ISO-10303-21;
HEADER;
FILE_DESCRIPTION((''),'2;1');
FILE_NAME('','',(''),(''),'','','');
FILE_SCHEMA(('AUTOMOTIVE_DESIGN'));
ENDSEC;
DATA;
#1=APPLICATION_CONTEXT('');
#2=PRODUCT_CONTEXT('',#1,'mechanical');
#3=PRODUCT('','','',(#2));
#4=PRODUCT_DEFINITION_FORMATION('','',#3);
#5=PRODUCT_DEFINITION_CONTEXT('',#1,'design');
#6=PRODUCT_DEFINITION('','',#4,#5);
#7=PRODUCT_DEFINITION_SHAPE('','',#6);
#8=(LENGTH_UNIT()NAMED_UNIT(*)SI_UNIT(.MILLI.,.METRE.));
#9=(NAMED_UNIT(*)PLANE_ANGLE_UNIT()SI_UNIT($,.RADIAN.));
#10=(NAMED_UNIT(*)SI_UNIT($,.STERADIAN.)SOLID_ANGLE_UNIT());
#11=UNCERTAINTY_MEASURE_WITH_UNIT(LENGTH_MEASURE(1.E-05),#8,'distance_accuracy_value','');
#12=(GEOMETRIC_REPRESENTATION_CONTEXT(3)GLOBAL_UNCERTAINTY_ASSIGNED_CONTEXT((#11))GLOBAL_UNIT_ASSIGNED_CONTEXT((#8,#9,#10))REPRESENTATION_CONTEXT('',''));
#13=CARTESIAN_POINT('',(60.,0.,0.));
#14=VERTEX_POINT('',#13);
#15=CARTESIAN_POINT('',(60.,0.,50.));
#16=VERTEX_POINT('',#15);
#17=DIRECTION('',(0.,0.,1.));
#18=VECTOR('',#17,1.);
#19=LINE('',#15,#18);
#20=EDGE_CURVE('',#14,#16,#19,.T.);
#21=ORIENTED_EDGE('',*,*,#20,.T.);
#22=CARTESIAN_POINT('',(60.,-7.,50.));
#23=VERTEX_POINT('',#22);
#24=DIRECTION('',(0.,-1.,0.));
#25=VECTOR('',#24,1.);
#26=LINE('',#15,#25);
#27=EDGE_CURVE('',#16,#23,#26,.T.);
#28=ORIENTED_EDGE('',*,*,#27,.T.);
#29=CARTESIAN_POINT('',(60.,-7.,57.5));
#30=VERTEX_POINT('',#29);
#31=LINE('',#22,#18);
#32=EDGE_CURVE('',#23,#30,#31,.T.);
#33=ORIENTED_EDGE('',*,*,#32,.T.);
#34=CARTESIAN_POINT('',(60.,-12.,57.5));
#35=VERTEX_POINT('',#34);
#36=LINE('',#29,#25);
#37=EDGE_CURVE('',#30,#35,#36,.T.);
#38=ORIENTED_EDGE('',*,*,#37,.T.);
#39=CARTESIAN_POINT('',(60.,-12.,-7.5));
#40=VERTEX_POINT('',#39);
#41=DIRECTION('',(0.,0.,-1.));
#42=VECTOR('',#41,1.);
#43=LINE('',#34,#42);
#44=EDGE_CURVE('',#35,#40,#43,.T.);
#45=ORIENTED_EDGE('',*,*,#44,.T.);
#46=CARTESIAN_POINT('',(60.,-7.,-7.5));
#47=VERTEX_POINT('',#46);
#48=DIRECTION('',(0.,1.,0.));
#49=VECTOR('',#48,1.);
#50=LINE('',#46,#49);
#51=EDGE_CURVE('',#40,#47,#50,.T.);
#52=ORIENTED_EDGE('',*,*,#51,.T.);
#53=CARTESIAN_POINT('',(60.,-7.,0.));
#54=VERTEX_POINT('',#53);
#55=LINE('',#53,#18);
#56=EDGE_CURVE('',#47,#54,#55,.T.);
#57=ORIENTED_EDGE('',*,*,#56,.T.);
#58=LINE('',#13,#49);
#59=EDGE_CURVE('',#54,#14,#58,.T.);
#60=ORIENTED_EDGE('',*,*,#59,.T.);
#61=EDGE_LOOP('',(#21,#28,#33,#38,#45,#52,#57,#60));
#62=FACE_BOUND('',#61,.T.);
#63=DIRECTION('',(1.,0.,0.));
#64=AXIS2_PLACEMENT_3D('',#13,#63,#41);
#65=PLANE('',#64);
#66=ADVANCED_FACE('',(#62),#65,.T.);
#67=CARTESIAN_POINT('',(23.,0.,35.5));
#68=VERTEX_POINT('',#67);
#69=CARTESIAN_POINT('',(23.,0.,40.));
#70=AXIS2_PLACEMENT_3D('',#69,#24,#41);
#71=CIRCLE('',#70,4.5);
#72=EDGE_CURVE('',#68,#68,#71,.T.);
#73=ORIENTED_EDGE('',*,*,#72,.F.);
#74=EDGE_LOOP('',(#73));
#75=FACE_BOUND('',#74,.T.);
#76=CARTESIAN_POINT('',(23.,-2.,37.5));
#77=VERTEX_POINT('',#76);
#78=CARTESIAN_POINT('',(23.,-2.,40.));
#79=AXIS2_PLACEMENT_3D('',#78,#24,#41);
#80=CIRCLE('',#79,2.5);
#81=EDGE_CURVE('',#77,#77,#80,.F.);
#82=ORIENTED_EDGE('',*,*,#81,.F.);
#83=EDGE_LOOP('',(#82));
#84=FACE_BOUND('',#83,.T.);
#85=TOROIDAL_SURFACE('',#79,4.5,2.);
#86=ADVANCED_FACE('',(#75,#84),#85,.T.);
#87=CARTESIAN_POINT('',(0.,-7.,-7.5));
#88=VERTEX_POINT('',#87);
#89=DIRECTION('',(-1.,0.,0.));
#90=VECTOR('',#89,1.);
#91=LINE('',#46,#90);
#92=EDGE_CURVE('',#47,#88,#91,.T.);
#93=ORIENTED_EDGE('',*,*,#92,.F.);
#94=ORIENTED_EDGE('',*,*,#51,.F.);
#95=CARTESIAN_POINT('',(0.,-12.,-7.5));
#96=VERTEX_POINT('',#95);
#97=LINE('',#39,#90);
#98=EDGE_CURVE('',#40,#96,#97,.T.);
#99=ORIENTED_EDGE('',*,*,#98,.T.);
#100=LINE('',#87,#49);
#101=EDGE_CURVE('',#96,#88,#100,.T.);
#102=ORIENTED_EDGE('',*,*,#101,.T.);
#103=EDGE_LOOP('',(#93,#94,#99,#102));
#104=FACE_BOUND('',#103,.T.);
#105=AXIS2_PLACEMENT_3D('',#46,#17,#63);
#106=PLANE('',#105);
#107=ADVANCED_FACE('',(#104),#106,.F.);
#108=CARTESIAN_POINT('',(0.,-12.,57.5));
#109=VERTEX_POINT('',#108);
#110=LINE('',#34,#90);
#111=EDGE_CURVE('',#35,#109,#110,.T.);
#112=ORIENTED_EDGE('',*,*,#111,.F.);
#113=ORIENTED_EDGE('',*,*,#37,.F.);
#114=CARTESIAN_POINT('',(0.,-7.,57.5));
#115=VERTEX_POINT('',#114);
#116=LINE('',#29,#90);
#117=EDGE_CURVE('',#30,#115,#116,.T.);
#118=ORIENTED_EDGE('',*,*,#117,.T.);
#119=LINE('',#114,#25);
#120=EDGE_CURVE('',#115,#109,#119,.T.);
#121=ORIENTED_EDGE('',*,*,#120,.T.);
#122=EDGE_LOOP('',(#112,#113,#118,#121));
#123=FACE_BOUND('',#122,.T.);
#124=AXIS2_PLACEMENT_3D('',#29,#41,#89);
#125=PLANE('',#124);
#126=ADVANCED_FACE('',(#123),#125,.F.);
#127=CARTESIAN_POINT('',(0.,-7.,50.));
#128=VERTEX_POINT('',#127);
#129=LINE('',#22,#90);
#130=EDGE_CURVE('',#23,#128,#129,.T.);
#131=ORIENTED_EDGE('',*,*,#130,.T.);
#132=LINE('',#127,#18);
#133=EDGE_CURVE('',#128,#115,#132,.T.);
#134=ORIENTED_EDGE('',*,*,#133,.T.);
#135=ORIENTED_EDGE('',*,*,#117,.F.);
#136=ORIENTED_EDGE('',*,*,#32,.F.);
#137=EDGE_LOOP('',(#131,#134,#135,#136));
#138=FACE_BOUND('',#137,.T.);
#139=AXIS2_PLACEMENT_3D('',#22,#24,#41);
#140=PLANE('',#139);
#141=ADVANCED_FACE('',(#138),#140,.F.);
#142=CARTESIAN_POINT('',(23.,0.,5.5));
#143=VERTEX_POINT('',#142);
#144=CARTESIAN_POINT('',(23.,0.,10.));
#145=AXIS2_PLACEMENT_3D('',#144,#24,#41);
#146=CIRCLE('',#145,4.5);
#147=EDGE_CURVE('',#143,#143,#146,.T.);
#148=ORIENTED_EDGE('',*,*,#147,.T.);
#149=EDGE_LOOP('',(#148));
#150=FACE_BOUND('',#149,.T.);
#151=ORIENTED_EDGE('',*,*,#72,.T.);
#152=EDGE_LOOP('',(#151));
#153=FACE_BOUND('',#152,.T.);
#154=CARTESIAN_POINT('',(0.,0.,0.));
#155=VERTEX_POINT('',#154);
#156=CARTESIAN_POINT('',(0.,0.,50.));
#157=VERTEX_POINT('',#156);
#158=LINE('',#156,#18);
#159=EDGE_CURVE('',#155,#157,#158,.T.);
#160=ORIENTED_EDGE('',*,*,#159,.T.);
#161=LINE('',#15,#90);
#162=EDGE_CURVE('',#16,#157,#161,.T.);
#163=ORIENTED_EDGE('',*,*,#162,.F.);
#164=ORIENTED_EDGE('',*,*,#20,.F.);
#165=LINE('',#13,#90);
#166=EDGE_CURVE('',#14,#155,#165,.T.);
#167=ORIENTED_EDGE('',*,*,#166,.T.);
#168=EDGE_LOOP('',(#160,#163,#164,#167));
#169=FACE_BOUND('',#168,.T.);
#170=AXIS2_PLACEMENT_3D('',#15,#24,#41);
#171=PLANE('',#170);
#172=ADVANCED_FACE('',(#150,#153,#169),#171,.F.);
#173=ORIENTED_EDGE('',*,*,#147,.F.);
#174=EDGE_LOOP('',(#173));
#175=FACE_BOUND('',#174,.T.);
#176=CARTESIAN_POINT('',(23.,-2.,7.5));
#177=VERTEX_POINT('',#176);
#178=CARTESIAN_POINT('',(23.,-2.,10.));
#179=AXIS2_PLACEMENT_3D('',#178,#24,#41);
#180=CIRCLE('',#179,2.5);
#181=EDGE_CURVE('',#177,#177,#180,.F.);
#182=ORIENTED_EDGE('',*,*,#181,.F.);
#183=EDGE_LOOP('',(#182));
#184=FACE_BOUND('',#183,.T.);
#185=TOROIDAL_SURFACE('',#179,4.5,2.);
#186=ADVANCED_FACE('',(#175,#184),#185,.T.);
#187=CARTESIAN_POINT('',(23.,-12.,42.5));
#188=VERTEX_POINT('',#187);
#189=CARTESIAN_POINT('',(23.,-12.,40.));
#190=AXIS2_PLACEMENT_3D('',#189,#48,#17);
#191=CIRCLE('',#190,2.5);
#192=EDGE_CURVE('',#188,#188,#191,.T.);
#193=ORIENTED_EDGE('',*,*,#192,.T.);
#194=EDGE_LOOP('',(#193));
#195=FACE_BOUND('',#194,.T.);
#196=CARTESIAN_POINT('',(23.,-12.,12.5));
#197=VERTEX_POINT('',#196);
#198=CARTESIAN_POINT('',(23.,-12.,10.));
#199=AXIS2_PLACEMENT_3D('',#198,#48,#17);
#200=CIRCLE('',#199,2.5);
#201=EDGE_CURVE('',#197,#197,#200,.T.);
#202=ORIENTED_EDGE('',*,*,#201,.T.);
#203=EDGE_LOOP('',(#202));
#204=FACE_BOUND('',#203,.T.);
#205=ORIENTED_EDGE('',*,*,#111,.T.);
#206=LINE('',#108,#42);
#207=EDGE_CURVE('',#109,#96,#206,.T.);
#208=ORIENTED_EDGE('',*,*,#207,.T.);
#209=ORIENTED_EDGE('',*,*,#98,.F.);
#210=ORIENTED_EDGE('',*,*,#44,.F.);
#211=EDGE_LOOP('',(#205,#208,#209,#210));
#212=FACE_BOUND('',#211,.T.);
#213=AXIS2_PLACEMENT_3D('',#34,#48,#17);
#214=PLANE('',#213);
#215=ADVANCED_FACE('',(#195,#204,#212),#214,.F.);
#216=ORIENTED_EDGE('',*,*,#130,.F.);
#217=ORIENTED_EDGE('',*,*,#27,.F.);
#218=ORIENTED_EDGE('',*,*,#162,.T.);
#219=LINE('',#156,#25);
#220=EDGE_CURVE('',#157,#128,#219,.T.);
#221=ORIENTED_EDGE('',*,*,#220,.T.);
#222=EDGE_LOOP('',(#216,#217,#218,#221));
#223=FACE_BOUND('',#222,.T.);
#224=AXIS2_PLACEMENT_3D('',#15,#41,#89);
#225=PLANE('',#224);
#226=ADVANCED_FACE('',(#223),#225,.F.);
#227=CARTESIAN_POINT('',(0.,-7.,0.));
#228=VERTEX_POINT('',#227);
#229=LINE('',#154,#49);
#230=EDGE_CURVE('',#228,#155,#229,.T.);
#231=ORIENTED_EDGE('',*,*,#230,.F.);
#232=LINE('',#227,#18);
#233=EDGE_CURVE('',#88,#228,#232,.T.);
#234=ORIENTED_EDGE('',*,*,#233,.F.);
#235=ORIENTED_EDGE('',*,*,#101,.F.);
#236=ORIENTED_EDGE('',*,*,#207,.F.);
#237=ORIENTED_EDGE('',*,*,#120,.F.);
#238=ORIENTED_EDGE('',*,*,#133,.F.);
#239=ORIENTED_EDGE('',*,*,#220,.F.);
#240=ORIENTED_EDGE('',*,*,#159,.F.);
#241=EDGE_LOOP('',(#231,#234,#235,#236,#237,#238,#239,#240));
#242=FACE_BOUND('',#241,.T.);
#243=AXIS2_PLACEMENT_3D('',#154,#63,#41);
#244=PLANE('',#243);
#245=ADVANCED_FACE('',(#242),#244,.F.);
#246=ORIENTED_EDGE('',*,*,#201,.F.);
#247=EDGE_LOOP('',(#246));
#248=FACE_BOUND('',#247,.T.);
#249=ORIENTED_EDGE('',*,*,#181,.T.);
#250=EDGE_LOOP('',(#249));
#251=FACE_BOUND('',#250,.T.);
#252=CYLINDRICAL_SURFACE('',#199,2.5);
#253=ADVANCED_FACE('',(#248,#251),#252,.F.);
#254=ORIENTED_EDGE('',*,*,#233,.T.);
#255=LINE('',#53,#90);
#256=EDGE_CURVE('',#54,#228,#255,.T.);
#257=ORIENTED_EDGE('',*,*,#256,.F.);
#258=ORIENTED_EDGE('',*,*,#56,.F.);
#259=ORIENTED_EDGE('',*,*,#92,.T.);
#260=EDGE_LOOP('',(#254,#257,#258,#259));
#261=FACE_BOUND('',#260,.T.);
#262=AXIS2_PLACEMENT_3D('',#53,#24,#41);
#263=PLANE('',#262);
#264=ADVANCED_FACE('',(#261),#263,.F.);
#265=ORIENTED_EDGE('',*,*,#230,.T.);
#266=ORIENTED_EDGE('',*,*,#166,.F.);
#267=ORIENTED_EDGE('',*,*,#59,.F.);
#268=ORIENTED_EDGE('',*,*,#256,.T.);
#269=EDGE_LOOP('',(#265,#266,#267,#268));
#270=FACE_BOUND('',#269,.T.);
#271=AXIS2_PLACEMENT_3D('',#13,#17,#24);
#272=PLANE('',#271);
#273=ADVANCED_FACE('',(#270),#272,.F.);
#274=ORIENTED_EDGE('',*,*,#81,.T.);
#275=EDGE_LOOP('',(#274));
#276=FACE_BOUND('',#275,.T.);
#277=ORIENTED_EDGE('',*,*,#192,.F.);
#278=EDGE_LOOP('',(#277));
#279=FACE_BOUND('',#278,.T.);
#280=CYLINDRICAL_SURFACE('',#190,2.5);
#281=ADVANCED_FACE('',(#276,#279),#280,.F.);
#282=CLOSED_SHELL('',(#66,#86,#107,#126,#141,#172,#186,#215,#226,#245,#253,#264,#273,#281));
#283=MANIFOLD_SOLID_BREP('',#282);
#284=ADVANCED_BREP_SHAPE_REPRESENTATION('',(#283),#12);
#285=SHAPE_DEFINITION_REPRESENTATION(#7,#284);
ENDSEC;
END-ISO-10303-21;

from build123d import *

# Parameters (mm, degrees)
BOSS_EXTRUDE1_DEPTH     = 60
SKETCH2_R               = 2.5
CUT_EXTRUDE1_DEPTH      = 1
CUT_EXTRUDE1_DEPTH_BACK = 13
FILLET1_R               = 2


with BuildPart() as part:
    # Sketch1 → Boss-Extrude1 (new body)
    with BuildSketch(Plane(origin=(0, 0, 0), x_dir=(0, 0, -1), z_dir=(1, 0, 0))):
        Polygon((-50, 0), (0, 0), (0, -7), (7.5, -7), (7.5, -12), (-57.5, -12), (-57.5, -7), (-50, -7), align=None)
    extrude(amount=BOSS_EXTRUDE1_DEPTH)

    # Sketch2 → Cut-Extrude1 (cut, two sides)
    with BuildSketch(Plane(origin=(0, 0, 0), x_dir=(1, 0, 0), z_dir=(0, 1, 0))) as cut_extrude1_sk:
        with Locations((23, -10)):
            Circle(SKETCH2_R)
        with Locations((23, -40)):
            Circle(SKETCH2_R)
    extrude(amount=CUT_EXTRUDE1_DEPTH, mode=Mode.SUBTRACT)
    extrude(cut_extrude1_sk.sketch, amount=-CUT_EXTRUDE1_DEPTH_BACK, mode=Mode.SUBTRACT)

    # Fillet1
    fillet1_edges = [part.edges().sort_by_distance(p)[0] for p in [
        (20.5, 0, 10),
        (20.5, 0, 40),
    ]]
    fillet(fillet1_edges, radius=FILLET1_R)


solid = part.part
